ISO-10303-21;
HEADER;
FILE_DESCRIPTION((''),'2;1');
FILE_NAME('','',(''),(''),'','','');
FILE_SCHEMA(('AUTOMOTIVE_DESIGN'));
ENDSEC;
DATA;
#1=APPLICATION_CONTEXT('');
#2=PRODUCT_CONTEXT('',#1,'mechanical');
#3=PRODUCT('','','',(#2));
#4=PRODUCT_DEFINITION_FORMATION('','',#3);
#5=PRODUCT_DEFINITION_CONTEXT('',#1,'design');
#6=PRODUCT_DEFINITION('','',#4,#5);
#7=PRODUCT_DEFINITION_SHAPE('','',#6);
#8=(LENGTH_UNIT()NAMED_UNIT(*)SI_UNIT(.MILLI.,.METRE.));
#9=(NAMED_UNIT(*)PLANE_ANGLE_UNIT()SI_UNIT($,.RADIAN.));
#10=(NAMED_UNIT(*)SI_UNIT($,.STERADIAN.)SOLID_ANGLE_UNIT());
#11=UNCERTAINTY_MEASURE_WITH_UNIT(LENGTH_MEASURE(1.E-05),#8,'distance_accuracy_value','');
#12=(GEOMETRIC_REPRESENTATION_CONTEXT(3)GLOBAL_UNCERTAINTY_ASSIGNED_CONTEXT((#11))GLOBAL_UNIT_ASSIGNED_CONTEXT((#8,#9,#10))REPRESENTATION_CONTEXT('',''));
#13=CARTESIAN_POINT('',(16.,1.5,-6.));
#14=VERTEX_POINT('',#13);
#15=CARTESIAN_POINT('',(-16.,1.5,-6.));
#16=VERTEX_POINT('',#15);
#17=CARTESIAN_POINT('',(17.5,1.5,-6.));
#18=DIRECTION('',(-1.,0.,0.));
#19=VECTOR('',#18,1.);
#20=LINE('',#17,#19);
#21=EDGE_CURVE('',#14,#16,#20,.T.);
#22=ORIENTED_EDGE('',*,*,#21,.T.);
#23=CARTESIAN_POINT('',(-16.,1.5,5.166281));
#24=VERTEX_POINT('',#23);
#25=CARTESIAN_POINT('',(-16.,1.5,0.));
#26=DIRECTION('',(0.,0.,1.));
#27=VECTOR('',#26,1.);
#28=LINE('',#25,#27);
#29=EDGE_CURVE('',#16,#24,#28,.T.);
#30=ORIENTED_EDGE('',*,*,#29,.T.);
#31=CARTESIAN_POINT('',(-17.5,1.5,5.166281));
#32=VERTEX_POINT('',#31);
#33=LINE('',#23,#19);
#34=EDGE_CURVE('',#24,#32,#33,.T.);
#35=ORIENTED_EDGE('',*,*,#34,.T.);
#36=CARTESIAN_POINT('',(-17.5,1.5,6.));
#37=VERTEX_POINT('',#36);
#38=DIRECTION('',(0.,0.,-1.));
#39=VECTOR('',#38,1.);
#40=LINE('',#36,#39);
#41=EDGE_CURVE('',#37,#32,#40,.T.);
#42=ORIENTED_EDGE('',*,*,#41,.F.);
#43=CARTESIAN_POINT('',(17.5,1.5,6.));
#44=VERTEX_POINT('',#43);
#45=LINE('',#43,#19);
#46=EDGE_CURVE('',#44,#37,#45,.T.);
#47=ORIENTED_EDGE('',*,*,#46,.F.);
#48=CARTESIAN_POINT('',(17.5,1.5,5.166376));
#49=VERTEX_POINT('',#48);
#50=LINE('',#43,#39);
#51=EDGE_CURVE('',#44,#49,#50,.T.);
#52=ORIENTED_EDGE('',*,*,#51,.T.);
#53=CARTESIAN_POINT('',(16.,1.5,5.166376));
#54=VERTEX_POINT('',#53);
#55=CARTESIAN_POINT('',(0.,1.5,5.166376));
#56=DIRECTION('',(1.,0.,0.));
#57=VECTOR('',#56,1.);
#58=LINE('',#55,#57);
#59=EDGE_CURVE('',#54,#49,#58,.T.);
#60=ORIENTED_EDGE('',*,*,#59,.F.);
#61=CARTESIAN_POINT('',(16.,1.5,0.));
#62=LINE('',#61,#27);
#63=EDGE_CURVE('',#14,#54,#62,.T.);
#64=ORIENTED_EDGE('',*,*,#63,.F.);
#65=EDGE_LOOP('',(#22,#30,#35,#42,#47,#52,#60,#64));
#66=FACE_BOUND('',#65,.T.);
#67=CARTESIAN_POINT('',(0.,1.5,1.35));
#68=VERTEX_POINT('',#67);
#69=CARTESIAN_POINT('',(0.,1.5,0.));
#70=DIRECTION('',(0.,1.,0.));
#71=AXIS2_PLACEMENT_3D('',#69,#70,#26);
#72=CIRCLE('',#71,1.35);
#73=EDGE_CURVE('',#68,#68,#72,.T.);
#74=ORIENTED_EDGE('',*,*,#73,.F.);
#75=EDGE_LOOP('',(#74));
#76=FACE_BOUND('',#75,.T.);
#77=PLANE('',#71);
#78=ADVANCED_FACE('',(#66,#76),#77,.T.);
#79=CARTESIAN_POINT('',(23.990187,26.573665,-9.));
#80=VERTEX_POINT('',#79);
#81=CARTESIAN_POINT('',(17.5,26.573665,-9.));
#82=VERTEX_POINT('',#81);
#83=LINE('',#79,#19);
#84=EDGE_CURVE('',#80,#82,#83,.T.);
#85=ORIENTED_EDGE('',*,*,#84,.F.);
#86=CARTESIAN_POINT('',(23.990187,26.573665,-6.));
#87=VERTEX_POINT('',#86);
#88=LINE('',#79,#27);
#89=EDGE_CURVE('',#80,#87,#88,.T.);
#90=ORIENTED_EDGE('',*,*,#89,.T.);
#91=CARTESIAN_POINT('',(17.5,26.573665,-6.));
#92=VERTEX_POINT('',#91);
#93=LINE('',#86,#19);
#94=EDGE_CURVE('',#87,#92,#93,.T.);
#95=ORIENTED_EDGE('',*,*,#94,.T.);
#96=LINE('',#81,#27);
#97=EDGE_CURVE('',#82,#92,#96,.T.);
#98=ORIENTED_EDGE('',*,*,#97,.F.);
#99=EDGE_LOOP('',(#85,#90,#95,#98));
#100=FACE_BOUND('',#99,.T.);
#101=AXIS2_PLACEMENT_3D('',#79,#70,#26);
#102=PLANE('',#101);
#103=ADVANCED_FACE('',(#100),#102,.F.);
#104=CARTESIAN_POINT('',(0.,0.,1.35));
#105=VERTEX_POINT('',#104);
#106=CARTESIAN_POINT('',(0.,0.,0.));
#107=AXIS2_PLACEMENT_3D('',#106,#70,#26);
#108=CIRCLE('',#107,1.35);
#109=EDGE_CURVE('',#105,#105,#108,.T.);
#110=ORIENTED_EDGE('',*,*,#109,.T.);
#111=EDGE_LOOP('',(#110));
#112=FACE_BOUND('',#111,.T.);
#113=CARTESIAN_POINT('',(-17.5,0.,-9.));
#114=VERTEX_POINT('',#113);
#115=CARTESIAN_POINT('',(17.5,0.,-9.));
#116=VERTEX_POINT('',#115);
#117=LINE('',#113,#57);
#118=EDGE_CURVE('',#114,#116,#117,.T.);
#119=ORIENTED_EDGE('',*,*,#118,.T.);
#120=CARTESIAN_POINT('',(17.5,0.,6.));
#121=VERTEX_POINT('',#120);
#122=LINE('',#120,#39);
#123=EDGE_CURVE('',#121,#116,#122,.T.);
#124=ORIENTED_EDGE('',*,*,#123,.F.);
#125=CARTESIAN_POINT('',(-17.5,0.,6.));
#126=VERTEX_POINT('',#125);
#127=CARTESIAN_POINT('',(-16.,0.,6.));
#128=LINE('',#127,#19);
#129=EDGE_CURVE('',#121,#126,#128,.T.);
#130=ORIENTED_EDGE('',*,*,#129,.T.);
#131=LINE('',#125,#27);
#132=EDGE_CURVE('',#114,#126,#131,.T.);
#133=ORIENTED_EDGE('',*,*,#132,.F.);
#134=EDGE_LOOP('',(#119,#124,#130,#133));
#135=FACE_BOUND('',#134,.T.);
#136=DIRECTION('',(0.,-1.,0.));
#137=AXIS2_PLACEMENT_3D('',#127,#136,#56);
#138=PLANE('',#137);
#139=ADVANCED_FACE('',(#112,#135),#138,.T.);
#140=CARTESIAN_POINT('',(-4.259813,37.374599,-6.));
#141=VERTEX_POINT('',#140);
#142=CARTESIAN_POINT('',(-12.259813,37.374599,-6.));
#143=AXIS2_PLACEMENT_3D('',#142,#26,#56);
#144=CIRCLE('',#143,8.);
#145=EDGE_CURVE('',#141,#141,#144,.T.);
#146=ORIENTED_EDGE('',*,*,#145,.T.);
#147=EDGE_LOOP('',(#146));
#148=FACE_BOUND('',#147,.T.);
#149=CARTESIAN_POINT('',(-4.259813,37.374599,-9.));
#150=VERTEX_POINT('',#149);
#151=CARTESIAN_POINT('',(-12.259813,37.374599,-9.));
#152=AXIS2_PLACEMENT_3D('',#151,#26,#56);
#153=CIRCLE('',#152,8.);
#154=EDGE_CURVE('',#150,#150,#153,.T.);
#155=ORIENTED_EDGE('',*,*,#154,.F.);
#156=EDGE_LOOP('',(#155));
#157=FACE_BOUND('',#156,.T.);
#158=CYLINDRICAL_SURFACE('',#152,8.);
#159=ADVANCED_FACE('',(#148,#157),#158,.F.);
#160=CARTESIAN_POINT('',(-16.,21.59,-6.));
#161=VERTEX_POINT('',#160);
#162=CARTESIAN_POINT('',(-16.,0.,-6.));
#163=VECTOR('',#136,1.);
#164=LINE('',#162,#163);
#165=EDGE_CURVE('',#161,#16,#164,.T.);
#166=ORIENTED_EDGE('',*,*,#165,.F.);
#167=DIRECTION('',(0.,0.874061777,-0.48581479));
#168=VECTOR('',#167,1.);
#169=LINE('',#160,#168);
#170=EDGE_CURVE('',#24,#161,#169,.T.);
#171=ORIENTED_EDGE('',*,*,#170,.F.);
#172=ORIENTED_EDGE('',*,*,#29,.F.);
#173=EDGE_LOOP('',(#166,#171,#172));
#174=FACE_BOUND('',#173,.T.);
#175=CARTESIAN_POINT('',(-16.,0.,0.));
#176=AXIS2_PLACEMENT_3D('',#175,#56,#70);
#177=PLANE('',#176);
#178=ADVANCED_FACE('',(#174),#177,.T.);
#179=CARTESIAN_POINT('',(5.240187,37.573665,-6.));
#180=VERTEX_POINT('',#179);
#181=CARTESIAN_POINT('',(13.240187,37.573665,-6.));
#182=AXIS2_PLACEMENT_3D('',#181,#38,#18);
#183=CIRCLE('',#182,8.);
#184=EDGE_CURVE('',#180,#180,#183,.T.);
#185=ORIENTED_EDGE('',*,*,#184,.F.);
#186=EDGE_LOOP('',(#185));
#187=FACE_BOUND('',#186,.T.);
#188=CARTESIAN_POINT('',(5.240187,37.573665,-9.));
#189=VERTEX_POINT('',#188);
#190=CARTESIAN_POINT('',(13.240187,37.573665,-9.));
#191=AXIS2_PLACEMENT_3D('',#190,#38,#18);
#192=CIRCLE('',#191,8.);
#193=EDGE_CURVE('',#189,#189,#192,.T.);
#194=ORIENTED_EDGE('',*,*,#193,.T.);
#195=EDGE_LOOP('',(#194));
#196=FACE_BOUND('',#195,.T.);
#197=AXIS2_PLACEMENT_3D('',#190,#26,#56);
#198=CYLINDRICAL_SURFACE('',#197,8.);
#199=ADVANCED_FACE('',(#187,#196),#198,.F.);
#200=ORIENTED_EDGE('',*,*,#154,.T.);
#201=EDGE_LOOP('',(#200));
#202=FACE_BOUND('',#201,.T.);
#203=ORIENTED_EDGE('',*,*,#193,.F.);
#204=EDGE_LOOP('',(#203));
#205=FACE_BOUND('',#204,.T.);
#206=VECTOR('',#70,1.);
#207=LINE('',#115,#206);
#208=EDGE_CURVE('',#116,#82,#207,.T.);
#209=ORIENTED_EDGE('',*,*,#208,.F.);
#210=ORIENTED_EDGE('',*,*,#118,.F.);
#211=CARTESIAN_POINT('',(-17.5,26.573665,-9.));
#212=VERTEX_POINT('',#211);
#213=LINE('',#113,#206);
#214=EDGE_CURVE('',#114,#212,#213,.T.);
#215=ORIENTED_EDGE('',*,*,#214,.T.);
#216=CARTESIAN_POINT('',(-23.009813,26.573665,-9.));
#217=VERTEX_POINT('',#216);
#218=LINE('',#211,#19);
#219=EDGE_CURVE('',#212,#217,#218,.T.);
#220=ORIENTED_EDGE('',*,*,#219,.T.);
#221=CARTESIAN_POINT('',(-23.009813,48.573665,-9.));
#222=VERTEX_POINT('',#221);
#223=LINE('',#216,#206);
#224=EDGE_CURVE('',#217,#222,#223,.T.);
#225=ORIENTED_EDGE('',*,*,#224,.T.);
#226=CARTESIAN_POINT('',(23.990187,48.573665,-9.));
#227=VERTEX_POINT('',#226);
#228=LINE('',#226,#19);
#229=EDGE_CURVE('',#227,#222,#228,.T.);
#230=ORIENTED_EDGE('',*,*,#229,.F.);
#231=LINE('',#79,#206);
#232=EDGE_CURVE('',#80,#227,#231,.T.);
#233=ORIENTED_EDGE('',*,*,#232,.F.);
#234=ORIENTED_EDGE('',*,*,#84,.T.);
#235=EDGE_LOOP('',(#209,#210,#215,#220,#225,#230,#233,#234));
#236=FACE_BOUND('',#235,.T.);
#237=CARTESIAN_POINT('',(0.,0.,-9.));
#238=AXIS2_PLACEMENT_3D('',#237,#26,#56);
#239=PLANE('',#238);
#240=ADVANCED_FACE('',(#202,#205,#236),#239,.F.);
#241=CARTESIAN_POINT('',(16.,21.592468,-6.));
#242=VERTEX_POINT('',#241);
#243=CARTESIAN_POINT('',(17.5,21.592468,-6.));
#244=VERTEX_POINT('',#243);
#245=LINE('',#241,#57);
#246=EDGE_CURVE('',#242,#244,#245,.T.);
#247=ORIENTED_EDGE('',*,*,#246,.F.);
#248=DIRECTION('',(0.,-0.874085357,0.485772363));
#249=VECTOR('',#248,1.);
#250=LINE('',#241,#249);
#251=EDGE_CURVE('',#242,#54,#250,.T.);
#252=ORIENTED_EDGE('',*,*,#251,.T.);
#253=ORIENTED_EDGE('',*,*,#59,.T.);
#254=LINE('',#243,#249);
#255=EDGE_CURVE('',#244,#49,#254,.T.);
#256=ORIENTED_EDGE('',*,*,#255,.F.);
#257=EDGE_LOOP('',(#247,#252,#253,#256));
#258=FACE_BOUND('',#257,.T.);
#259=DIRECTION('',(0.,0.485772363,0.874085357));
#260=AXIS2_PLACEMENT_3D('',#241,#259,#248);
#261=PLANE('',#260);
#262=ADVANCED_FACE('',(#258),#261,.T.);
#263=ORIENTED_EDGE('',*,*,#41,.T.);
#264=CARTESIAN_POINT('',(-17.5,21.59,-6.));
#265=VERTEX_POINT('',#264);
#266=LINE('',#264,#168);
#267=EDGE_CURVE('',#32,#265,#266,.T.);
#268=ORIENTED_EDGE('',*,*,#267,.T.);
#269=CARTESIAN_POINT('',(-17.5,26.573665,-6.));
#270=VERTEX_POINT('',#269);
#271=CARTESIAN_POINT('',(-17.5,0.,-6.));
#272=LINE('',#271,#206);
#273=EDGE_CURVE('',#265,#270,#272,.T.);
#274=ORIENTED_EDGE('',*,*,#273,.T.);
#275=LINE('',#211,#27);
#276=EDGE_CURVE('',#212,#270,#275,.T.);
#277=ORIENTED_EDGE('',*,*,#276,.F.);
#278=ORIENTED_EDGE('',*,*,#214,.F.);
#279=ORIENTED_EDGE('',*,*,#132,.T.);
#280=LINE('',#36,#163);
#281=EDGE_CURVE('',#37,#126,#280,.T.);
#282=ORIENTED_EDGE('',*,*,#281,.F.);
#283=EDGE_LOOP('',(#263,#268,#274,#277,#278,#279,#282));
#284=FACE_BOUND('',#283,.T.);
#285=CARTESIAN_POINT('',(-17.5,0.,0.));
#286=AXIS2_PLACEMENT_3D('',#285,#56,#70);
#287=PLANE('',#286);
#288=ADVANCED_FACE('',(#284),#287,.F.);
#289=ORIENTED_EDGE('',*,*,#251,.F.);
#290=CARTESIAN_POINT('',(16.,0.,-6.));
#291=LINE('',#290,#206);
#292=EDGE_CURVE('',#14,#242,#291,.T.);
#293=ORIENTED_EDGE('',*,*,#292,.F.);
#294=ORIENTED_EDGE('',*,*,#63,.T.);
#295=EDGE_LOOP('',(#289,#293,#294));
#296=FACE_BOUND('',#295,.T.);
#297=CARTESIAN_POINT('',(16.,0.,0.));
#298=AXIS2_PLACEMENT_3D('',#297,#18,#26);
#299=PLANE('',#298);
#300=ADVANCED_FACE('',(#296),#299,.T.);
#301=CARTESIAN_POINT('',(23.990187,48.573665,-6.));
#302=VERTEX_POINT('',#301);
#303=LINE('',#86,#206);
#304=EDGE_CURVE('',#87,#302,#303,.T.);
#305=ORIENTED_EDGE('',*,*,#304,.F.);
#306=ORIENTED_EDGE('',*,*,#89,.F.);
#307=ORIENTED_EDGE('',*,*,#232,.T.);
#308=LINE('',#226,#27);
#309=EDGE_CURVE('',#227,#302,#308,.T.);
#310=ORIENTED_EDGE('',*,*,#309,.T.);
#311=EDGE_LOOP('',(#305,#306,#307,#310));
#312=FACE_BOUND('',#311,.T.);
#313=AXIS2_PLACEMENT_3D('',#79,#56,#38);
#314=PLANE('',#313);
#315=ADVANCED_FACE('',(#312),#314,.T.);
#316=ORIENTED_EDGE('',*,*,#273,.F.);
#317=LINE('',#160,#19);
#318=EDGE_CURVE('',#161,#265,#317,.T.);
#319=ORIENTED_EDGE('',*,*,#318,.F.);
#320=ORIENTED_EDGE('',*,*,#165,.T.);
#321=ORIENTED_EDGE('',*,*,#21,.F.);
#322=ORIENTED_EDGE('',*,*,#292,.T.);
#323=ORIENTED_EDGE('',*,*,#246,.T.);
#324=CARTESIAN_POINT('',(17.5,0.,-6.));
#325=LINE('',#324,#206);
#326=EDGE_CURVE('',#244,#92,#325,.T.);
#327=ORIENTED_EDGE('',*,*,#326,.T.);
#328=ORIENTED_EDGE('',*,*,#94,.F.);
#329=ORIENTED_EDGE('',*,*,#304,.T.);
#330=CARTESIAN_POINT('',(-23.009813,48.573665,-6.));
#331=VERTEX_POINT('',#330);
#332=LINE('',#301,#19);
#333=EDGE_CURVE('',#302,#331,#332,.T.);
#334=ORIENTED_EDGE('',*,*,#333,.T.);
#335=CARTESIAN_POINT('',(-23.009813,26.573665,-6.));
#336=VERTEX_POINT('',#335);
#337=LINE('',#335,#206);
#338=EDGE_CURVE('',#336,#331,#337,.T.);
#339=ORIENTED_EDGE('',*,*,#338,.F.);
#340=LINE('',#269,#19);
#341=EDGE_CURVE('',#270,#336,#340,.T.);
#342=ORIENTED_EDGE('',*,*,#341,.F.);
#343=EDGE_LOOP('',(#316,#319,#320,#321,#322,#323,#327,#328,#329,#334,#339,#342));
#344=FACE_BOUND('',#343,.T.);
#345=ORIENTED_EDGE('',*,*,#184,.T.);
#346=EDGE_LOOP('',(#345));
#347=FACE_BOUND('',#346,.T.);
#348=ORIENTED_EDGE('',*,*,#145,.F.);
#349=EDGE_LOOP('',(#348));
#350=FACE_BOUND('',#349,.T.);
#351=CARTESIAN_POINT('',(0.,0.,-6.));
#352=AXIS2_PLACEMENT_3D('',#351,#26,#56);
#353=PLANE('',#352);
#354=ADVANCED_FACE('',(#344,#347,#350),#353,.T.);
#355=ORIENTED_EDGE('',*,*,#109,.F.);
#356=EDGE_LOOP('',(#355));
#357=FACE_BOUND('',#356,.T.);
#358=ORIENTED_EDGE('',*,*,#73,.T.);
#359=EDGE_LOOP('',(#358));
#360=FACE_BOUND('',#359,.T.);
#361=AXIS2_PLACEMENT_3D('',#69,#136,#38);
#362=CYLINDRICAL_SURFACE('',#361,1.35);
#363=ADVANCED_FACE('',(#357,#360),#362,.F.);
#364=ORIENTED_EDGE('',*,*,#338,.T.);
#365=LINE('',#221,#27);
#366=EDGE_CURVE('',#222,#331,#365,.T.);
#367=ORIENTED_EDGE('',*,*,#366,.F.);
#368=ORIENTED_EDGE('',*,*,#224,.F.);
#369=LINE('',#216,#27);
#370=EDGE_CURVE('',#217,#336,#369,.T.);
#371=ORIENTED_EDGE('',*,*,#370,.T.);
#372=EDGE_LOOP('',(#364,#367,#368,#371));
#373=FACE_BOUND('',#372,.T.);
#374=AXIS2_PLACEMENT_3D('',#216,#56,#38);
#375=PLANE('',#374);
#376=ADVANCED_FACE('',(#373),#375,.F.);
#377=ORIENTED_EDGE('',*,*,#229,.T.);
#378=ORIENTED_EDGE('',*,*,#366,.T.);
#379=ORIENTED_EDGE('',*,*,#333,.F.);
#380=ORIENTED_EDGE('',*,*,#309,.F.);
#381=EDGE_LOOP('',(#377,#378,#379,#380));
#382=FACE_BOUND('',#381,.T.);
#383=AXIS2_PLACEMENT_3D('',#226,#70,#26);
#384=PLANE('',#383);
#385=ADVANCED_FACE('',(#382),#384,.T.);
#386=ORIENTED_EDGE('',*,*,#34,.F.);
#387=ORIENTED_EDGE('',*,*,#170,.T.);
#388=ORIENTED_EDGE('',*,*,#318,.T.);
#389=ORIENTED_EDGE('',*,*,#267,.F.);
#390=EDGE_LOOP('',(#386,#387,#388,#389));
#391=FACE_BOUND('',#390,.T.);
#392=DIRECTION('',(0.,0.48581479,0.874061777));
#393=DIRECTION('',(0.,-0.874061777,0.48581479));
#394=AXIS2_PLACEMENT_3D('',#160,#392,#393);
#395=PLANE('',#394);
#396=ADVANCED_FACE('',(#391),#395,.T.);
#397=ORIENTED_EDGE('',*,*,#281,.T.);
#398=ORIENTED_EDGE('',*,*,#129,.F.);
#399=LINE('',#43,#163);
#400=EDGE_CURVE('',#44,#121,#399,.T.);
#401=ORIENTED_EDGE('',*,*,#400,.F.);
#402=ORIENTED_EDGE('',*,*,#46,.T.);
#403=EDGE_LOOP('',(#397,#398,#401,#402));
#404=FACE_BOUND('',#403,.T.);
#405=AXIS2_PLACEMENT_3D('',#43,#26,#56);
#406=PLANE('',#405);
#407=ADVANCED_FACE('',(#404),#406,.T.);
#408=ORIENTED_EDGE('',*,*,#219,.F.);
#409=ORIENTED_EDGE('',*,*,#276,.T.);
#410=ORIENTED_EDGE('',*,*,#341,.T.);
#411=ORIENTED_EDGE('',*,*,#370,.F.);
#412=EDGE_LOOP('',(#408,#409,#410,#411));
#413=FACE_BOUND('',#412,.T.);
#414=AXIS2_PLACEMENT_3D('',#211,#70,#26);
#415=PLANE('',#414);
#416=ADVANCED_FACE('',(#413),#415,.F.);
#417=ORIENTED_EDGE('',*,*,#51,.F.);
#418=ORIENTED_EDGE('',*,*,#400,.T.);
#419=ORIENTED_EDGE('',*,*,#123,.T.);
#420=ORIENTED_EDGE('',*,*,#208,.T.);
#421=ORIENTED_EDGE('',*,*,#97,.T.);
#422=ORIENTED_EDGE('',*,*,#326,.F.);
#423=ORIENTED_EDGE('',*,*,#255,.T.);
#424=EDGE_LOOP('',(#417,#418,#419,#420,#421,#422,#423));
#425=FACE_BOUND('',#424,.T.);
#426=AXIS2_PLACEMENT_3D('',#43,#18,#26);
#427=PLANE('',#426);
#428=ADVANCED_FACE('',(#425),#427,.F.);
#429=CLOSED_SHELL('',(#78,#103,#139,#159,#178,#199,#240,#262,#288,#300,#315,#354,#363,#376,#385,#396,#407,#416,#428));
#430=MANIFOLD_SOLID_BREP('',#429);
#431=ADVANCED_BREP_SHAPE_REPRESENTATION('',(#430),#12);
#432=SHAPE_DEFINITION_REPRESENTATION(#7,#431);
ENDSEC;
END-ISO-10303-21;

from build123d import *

# Parameters (mm, degrees)
BOSS_EXTRUDE3_DEPTH = 1.5
BOSS_EXTRUDE4_DEPTH = 1.5
SKETCH2_W           = 35
SKETCH2_H           = 12
SKETCH2_R           = 1.35
BOSS_EXTRUDE7_DEPTH = 1.5
SKETCH3_R           = 8
BOSS_EXTRUDE8_DEPTH = 3


with BuildPart() as part:
    # Sketch5 → Boss-Extrude3 (new body)
    with BuildSketch(Plane(origin=(-17.5, 0, 0), x_dir=(0, 1, 0), z_dir=(-1, 0, 0))):
        Polygon((21.59, 6), (0, -6), (0, 6), align=None)
    extrude(amount=-BOSS_EXTRUDE3_DEPTH)



with BuildPart() as body_2:
    # Sketch4 → Boss-Extrude4 (new body)
    with BuildSketch(Plane(origin=(17.5, 0, 0), x_dir=(0, 0, -1), z_dir=(1, 0, 0))):
        Polygon((6, 21.592468158), (-6, 0), (6, 0), align=None)
    extrude(amount=-BOSS_EXTRUDE4_DEPTH)


with BuildPart() as part_1:
    add(part.part)

    add(body_2.part)  # Boss-Extrude7 merges body 2
    # Sketch2 → Boss-Extrude7 (add)
    with BuildSketch(Plane(origin=(0, 0, 0), x_dir=(1, 0, 0), z_dir=(0, 1, 0))):
        Rectangle(SKETCH2_W, SKETCH2_H)
        with Locations(Location((0, 0, 0), (0, 0, 270))):
            Circle(SKETCH2_R, mode=Mode.SUBTRACT)
    extrude(amount=BOSS_EXTRUDE7_DEPTH)

    # Sketch3 → Boss-Extrude8 (add)
    with BuildSketch(Plane(origin=(0, 0, -6), x_dir=(-1, 0, 0), z_dir=(0, 0, -1))):
        Polygon((17.5, 0), (-17.5, 0), (-17.5, 26.57366529), (-23.990187259, 26.57366529), (-23.990187259, 48.57366529), (23.009812741, 48.57366529), (23.009812741, 26.57366529), (17.5, 26.57366529), align=None)
        with Locations((-13.240187259, 37.57366529)):
            Circle(SKETCH3_R, mode=Mode.SUBTRACT)
        with Locations(Location((12.259812741, 37.374598913, 0), (0, 0, 180))):
            Circle(SKETCH3_R, mode=Mode.SUBTRACT)
    extrude(amount=BOSS_EXTRUDE8_DEPTH)


solid = part_1.part
